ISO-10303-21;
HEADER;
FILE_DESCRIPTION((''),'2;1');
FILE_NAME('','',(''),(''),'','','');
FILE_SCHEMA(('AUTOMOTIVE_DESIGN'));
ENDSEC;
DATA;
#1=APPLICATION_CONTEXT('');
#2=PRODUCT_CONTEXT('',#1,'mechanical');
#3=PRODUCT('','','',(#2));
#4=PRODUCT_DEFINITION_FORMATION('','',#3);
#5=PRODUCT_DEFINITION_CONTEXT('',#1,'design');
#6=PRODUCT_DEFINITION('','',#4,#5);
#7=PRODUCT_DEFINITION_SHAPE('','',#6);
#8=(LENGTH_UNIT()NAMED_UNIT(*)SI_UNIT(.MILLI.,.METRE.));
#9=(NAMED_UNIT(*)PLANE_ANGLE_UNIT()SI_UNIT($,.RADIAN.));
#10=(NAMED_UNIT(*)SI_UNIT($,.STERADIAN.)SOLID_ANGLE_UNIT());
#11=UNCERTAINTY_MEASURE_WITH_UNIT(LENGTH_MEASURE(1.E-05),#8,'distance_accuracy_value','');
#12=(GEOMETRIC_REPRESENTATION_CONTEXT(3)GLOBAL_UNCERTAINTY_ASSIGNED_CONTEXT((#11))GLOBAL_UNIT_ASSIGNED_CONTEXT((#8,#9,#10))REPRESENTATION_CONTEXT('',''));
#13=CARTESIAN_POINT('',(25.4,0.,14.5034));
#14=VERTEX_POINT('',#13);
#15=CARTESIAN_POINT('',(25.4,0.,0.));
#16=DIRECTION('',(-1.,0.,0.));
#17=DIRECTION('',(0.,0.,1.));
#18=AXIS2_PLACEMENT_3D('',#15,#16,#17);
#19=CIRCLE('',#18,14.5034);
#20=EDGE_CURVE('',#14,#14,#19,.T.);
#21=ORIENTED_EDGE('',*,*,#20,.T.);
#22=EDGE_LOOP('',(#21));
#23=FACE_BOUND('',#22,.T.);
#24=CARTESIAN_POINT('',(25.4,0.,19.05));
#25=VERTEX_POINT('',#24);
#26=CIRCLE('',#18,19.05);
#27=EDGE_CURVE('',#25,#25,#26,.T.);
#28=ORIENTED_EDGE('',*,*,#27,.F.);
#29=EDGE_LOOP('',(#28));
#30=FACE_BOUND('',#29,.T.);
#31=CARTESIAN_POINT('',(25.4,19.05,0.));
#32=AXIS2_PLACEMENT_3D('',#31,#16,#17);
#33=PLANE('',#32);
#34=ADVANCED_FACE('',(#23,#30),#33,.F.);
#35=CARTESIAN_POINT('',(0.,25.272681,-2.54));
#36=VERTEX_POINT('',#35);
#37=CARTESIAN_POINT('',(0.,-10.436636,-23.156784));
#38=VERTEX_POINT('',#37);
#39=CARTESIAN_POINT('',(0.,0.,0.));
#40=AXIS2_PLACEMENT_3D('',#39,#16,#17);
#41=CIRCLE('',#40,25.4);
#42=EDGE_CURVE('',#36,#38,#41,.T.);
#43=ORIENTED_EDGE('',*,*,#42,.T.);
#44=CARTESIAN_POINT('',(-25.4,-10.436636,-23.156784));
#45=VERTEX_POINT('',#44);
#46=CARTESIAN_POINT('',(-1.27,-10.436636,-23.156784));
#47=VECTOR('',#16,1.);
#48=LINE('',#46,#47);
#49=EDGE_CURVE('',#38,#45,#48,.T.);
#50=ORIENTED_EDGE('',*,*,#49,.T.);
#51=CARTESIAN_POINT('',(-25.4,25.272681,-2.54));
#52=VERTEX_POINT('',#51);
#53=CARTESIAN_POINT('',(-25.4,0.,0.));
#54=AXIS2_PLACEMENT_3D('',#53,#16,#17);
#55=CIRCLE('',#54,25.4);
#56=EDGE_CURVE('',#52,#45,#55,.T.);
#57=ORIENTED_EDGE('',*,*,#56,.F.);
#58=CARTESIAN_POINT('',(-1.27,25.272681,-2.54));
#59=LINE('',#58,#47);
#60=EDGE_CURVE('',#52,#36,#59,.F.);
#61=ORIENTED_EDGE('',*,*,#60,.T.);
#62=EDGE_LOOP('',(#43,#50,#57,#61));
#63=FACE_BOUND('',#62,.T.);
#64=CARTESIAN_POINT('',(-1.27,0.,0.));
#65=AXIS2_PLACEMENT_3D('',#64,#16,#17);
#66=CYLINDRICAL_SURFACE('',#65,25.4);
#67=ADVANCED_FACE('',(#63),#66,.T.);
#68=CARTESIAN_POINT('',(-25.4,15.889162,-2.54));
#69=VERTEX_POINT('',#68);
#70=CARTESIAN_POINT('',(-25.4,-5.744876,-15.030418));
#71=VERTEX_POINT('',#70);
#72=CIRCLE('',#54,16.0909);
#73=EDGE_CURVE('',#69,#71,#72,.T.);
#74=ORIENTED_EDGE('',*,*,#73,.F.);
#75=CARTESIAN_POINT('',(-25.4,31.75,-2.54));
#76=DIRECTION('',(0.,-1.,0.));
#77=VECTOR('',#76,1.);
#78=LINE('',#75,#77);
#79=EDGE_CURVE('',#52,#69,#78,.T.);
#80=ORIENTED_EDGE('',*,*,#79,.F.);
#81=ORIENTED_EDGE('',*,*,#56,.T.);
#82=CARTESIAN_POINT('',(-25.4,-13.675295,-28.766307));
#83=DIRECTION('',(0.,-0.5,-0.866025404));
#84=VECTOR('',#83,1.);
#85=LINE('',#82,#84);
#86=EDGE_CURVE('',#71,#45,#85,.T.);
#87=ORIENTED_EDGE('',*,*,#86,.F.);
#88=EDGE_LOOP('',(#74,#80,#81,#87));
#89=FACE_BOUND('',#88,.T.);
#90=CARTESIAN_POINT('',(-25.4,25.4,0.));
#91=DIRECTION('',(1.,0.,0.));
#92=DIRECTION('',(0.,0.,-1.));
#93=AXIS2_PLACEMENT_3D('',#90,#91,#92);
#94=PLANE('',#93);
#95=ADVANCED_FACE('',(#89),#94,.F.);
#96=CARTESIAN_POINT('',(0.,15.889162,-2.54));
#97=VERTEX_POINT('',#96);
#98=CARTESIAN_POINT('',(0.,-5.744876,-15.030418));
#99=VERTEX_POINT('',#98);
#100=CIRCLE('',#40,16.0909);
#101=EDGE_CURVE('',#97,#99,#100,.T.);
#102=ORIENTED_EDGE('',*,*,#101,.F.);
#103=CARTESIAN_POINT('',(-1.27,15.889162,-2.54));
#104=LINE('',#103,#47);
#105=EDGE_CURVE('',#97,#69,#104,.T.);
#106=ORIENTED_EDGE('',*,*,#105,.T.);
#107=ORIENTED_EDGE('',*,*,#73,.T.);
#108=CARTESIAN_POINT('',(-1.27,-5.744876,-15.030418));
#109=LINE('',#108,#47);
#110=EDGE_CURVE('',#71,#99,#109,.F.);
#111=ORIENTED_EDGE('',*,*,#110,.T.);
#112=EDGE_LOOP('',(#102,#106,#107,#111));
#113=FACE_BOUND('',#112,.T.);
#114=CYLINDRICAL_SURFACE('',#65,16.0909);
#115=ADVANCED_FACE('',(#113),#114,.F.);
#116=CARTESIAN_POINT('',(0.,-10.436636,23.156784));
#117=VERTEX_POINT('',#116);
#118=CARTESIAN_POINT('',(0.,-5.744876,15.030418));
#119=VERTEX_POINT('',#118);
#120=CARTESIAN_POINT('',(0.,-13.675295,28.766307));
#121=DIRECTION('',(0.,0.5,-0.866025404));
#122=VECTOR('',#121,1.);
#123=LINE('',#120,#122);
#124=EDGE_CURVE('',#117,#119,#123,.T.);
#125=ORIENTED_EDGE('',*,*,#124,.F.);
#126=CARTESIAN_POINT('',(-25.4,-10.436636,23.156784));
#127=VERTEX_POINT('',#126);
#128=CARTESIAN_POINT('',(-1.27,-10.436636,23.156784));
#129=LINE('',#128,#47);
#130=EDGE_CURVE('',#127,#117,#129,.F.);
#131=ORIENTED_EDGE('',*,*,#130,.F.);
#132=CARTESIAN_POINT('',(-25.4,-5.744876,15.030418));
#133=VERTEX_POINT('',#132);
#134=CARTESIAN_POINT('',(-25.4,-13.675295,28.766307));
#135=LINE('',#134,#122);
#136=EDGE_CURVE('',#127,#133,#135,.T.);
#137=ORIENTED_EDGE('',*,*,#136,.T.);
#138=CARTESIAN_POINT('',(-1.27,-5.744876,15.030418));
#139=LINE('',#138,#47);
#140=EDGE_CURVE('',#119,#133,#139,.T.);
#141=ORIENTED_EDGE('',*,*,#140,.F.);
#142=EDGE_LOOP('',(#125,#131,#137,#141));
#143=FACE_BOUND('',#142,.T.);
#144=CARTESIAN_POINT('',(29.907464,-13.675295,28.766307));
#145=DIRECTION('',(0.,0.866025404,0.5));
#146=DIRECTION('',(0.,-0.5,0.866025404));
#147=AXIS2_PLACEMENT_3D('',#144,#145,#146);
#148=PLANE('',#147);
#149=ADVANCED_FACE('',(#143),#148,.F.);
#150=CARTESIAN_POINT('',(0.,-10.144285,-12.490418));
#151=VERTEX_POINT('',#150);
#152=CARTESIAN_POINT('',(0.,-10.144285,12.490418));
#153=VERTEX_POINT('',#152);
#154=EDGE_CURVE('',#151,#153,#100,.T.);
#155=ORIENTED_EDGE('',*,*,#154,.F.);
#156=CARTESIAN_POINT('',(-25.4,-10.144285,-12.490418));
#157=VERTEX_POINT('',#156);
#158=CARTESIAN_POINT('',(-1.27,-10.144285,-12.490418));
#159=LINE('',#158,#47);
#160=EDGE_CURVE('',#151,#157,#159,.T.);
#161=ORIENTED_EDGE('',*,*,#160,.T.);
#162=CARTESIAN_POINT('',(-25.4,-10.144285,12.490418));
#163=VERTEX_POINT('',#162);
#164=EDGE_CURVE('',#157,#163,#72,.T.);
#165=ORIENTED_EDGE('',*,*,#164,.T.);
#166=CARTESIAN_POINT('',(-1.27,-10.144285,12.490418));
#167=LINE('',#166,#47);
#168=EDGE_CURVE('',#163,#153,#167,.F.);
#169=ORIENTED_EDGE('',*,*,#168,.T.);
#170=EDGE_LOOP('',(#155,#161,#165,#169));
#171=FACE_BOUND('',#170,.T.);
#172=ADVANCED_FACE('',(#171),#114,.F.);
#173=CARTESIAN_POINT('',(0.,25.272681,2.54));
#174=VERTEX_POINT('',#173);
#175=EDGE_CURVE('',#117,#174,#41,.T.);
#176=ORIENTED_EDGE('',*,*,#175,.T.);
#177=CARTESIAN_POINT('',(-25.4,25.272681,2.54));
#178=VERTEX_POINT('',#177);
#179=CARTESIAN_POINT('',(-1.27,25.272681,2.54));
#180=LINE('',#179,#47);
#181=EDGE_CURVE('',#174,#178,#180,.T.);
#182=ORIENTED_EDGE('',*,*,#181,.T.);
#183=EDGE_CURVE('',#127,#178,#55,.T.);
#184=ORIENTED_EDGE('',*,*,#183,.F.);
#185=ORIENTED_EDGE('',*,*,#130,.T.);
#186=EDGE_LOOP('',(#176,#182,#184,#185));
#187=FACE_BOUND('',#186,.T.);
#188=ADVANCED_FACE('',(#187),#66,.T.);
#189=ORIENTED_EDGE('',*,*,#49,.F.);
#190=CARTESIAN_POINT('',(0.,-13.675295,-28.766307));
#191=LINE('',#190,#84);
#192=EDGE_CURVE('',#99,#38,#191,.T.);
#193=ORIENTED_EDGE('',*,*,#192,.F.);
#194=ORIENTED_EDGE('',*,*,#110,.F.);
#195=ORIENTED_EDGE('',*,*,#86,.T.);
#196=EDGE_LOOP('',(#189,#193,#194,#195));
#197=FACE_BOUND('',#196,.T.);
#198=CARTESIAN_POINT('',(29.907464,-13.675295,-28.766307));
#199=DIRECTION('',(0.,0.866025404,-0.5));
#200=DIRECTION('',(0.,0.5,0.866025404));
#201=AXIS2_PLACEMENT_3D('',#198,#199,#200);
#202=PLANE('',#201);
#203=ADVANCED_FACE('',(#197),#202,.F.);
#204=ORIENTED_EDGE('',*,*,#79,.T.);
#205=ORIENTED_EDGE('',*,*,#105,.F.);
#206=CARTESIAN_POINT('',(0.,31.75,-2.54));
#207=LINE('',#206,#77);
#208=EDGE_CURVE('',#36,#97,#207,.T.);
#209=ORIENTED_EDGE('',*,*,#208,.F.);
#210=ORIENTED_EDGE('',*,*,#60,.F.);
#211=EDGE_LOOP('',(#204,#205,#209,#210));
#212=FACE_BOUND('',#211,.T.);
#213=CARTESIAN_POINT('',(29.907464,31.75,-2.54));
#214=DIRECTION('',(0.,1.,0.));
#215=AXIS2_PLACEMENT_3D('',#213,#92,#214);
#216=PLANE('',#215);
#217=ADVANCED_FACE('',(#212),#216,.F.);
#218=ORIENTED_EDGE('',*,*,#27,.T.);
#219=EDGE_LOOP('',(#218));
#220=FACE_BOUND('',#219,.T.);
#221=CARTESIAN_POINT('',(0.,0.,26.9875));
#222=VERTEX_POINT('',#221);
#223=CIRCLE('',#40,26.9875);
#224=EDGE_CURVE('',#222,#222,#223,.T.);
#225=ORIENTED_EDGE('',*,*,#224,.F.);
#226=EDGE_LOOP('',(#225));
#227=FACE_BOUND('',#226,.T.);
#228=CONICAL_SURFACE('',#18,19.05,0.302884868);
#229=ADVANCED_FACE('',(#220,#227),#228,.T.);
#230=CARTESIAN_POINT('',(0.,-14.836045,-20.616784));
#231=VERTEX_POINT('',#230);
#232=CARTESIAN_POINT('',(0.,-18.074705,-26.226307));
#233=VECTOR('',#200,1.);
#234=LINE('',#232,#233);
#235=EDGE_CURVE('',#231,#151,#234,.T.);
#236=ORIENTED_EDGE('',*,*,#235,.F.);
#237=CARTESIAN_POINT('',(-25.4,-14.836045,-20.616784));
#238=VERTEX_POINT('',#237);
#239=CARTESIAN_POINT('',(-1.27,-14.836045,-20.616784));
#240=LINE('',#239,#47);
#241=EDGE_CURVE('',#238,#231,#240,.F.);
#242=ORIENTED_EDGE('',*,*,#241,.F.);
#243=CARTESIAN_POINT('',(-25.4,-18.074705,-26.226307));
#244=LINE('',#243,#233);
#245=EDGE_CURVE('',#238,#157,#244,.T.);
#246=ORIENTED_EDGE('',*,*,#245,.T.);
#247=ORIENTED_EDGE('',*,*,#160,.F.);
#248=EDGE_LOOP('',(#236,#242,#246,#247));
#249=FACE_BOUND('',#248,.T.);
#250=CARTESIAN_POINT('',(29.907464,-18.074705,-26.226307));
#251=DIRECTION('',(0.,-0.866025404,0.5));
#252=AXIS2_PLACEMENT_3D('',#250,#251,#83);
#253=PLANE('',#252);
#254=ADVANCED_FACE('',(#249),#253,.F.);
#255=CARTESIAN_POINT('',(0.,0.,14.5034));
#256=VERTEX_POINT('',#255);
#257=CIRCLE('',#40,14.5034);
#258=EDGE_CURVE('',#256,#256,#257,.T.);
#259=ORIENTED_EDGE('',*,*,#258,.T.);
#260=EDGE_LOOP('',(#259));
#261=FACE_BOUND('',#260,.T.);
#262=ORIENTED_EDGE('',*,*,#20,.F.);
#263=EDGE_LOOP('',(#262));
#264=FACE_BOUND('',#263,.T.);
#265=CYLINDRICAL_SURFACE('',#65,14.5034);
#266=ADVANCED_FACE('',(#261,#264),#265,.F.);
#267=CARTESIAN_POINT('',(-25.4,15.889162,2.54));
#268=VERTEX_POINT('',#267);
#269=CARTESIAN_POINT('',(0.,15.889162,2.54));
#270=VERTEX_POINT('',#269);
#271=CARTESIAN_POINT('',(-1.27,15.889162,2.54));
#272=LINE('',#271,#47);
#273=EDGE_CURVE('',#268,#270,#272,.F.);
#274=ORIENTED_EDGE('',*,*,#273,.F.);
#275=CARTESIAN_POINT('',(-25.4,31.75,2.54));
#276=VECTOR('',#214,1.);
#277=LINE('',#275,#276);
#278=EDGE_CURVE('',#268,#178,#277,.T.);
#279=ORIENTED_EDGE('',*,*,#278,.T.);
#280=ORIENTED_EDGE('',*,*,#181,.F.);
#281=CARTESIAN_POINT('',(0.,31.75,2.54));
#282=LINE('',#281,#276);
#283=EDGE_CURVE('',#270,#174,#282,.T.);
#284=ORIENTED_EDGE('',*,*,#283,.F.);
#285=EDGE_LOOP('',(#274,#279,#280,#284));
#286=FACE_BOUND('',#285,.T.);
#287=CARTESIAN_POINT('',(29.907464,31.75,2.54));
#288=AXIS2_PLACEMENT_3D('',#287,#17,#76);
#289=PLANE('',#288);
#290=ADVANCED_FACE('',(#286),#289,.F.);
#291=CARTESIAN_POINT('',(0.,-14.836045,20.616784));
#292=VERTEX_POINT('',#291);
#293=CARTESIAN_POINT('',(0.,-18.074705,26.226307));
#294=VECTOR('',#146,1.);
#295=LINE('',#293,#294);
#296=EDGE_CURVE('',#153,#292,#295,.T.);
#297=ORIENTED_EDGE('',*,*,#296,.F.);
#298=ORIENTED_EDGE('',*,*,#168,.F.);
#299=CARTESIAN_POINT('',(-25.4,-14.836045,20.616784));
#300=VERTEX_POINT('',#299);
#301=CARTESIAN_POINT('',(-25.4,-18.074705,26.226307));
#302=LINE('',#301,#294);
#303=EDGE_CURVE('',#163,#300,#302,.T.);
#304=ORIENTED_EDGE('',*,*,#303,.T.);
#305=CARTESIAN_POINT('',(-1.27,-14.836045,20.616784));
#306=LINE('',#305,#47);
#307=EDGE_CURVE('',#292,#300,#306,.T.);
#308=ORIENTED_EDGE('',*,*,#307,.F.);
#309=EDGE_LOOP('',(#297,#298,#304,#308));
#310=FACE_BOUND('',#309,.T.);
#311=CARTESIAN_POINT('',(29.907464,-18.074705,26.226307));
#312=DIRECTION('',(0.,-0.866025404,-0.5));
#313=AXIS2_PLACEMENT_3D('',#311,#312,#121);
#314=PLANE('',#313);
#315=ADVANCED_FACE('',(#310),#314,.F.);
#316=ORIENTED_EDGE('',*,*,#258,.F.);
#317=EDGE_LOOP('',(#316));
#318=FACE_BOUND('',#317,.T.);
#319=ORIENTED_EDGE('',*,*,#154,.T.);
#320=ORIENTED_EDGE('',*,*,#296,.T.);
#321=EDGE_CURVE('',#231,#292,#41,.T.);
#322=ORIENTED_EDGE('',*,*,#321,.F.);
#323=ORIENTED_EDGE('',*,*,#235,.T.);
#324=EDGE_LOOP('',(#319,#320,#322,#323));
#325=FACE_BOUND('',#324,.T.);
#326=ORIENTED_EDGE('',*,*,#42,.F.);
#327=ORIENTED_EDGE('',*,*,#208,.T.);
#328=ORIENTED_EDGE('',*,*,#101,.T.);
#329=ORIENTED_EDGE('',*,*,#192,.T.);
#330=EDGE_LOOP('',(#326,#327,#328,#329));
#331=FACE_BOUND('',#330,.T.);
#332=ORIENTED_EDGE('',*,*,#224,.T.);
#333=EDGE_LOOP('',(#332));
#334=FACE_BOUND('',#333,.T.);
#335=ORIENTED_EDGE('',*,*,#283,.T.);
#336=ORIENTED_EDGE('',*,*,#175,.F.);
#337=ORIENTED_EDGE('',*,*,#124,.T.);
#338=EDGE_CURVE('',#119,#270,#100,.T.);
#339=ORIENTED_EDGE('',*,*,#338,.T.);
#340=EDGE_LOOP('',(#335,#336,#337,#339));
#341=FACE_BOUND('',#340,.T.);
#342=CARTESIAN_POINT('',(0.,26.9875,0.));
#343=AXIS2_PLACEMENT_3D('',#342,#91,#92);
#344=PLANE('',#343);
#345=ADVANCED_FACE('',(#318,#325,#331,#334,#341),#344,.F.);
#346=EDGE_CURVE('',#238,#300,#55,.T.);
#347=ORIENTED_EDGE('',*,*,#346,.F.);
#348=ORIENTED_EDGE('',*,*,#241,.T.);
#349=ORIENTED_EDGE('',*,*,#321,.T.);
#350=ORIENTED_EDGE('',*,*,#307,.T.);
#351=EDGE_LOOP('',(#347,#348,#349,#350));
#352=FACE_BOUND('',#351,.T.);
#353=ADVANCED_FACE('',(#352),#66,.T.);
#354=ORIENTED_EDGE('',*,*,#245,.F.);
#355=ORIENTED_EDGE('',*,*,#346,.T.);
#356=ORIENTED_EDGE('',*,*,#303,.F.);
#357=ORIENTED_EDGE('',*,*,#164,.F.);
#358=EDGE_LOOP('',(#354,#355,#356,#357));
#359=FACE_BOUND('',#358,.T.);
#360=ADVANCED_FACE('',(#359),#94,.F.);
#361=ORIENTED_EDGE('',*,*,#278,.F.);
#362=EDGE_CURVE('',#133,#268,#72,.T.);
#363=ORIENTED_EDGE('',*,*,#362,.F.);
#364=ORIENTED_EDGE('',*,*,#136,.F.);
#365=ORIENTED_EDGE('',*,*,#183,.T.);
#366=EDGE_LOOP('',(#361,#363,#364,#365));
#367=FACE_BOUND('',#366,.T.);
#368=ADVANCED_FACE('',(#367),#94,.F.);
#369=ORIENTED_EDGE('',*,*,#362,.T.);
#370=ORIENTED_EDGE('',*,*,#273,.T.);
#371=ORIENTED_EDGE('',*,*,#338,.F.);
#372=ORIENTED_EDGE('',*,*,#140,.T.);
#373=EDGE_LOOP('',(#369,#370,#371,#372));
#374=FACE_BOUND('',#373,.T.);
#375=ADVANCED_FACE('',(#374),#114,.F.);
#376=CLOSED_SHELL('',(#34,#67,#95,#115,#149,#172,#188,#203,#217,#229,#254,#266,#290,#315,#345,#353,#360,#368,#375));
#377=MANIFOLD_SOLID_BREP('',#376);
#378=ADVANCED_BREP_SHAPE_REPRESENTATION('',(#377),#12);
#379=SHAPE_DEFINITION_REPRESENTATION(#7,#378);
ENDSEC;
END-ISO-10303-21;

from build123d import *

# Parameters (mm, degrees)
SKETCH2_W          = 5.08
SKETCH2_H          = 25.4
CUT_EXTRUDE1_DEPTH = 25.4


with BuildPart() as part:
    # Sketch1 → Revolve1 (revolve)
    with BuildSketch(Plane.XY, mode=Mode.PRIVATE) as revolve1_sk:
        Polygon((0, 14.5034), (25.4, 14.5034), (25.4, 19.05), (0, 26.9875), (0, 25.4), (-25.4, 25.4), (-25.4, 16.0909), (0, 16.0909), align=None)
    revolve(revolve1_sk.sketch.rotate(Axis((-1.27, 0, 0), (1, 0, 0)), 90), axis=Axis((-1.27, 0, 0), (1, 0, 0)))

    # Sketch2 → Cut-Extrude1 (cut)
    with BuildSketch(Plane.ZY.offset(25.4)):
        Polygon((28.76630657, -13.675295474), (6.769261314, -0.975295474), (4.229261314, -5.374704526), (26.22630657, -18.074704526), align=None)
        with Locations((0, 19.05)):
            Rectangle(SKETCH2_W, SKETCH2_H)
        Polygon((-26.22630657, -18.074704526), (-4.229261314, -5.374704526), (-6.769261314, -0.975295474), (-28.76630657, -13.675295474), align=None)
    extrude(amount=-CUT_EXTRUDE1_DEPTH, mode=Mode.SUBTRACT)


solid = part.part
